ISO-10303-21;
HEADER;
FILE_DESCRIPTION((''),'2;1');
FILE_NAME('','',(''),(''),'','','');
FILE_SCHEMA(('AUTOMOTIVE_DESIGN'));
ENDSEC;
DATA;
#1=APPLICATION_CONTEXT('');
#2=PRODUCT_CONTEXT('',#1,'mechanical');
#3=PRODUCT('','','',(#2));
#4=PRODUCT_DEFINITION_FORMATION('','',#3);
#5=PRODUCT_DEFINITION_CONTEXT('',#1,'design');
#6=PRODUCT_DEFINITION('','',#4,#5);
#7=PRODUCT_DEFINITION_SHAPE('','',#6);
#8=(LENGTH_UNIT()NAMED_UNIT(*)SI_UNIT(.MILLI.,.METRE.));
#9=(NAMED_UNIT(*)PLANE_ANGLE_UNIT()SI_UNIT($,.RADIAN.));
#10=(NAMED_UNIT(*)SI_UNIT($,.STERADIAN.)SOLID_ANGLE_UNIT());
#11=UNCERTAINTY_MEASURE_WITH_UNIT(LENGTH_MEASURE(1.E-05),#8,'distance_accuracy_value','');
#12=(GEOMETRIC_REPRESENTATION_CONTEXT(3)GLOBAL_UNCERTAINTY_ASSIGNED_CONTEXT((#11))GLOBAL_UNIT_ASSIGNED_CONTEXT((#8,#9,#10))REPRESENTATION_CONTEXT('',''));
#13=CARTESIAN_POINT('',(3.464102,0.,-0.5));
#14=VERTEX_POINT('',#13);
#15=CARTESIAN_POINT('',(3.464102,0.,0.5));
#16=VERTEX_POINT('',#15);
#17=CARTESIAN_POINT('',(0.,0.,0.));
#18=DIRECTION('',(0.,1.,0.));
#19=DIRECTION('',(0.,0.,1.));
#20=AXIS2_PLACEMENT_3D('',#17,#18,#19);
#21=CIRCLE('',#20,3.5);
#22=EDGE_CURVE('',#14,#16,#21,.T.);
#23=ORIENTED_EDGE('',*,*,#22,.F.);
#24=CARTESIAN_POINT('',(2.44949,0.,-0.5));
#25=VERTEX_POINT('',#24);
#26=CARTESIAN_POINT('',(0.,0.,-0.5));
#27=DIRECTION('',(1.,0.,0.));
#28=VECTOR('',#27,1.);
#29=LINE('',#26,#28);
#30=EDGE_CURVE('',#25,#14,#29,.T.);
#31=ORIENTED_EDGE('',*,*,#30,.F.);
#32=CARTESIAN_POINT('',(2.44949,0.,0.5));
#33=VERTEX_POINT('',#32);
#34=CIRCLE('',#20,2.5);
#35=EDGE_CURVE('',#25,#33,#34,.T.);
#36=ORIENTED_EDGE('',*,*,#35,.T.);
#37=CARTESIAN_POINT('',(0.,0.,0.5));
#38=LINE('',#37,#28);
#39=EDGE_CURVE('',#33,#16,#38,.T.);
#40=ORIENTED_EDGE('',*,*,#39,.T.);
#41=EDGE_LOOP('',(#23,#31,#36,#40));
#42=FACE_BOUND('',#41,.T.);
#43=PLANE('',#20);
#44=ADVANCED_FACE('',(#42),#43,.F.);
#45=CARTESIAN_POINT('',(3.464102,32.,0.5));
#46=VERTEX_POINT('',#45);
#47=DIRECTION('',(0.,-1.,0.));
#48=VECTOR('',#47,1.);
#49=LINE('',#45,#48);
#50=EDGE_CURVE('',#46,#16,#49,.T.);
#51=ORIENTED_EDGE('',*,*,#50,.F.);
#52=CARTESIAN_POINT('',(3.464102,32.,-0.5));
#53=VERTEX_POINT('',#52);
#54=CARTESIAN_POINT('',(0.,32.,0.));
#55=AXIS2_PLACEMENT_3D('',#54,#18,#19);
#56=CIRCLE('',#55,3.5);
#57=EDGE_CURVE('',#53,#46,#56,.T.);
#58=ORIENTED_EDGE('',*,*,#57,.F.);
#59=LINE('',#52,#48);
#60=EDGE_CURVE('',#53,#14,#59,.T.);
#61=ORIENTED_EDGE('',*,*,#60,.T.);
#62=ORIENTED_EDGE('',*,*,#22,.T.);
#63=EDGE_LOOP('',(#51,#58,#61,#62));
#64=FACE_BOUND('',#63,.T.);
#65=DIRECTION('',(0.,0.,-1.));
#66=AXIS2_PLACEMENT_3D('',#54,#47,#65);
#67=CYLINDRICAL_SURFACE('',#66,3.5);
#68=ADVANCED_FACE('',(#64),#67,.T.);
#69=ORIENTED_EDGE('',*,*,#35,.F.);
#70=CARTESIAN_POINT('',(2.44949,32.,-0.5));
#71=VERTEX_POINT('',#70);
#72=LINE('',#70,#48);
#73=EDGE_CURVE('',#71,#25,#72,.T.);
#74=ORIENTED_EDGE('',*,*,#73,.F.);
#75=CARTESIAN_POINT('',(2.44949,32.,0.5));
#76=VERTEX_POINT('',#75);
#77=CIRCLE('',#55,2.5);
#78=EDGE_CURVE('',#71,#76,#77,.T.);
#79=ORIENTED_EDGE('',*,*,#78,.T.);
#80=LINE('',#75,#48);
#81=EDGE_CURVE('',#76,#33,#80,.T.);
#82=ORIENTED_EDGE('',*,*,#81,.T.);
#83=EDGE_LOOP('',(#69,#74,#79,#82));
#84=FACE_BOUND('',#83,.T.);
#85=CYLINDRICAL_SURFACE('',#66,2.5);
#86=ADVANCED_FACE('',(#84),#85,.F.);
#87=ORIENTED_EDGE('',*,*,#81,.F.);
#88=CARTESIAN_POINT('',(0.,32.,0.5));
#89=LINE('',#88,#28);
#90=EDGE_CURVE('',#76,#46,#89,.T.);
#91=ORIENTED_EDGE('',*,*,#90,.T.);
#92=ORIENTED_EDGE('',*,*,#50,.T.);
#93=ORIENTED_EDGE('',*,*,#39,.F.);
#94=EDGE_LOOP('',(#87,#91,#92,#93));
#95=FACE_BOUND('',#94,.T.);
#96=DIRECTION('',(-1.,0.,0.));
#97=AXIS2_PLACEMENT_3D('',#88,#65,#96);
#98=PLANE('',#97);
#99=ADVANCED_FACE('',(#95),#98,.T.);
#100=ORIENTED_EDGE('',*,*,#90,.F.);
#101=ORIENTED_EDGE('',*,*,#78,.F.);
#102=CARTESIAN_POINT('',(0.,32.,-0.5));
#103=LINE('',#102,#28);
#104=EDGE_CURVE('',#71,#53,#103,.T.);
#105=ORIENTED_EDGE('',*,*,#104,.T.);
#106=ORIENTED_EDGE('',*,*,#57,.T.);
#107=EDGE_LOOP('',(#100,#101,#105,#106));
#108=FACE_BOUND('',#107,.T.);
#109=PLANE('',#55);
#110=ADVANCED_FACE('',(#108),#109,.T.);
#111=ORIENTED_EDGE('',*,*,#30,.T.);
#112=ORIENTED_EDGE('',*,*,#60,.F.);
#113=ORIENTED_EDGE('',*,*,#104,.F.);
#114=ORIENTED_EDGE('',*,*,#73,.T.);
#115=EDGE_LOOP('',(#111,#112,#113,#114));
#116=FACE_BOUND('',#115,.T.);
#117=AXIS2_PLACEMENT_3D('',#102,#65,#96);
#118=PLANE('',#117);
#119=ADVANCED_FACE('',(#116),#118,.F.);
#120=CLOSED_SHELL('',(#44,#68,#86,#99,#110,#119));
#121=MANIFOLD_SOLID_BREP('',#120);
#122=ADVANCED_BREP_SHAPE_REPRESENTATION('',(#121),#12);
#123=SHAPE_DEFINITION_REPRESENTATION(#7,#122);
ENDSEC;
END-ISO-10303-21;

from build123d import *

# Parameters (mm, degrees)
BOSS_EXTRUDE1_DEPTH = 32


with BuildPart() as part:
    # Sketch1 → Boss-Extrude1 (new body)
    with BuildSketch(Plane(origin=(0, 0, 0), x_dir=(1, 0, 0), z_dir=(0, 1, 0))):
        with BuildLine():
            ThreePointArc((2.449489743, -0.5), (-2.5, 0), (2.449489743, 0.5))
            Line((2.449489743, 0.5), (3.464101615, 0.5))
            ThreePointArc((3.464101615, 0.5), (-3.5, 0), (3.464101615, -0.5))
            Line((3.464101615, -0.5), (2.449489743, -0.5))
        make_face()
    extrude(amount=BOSS_EXTRUDE1_DEPTH)


solid = part.part
